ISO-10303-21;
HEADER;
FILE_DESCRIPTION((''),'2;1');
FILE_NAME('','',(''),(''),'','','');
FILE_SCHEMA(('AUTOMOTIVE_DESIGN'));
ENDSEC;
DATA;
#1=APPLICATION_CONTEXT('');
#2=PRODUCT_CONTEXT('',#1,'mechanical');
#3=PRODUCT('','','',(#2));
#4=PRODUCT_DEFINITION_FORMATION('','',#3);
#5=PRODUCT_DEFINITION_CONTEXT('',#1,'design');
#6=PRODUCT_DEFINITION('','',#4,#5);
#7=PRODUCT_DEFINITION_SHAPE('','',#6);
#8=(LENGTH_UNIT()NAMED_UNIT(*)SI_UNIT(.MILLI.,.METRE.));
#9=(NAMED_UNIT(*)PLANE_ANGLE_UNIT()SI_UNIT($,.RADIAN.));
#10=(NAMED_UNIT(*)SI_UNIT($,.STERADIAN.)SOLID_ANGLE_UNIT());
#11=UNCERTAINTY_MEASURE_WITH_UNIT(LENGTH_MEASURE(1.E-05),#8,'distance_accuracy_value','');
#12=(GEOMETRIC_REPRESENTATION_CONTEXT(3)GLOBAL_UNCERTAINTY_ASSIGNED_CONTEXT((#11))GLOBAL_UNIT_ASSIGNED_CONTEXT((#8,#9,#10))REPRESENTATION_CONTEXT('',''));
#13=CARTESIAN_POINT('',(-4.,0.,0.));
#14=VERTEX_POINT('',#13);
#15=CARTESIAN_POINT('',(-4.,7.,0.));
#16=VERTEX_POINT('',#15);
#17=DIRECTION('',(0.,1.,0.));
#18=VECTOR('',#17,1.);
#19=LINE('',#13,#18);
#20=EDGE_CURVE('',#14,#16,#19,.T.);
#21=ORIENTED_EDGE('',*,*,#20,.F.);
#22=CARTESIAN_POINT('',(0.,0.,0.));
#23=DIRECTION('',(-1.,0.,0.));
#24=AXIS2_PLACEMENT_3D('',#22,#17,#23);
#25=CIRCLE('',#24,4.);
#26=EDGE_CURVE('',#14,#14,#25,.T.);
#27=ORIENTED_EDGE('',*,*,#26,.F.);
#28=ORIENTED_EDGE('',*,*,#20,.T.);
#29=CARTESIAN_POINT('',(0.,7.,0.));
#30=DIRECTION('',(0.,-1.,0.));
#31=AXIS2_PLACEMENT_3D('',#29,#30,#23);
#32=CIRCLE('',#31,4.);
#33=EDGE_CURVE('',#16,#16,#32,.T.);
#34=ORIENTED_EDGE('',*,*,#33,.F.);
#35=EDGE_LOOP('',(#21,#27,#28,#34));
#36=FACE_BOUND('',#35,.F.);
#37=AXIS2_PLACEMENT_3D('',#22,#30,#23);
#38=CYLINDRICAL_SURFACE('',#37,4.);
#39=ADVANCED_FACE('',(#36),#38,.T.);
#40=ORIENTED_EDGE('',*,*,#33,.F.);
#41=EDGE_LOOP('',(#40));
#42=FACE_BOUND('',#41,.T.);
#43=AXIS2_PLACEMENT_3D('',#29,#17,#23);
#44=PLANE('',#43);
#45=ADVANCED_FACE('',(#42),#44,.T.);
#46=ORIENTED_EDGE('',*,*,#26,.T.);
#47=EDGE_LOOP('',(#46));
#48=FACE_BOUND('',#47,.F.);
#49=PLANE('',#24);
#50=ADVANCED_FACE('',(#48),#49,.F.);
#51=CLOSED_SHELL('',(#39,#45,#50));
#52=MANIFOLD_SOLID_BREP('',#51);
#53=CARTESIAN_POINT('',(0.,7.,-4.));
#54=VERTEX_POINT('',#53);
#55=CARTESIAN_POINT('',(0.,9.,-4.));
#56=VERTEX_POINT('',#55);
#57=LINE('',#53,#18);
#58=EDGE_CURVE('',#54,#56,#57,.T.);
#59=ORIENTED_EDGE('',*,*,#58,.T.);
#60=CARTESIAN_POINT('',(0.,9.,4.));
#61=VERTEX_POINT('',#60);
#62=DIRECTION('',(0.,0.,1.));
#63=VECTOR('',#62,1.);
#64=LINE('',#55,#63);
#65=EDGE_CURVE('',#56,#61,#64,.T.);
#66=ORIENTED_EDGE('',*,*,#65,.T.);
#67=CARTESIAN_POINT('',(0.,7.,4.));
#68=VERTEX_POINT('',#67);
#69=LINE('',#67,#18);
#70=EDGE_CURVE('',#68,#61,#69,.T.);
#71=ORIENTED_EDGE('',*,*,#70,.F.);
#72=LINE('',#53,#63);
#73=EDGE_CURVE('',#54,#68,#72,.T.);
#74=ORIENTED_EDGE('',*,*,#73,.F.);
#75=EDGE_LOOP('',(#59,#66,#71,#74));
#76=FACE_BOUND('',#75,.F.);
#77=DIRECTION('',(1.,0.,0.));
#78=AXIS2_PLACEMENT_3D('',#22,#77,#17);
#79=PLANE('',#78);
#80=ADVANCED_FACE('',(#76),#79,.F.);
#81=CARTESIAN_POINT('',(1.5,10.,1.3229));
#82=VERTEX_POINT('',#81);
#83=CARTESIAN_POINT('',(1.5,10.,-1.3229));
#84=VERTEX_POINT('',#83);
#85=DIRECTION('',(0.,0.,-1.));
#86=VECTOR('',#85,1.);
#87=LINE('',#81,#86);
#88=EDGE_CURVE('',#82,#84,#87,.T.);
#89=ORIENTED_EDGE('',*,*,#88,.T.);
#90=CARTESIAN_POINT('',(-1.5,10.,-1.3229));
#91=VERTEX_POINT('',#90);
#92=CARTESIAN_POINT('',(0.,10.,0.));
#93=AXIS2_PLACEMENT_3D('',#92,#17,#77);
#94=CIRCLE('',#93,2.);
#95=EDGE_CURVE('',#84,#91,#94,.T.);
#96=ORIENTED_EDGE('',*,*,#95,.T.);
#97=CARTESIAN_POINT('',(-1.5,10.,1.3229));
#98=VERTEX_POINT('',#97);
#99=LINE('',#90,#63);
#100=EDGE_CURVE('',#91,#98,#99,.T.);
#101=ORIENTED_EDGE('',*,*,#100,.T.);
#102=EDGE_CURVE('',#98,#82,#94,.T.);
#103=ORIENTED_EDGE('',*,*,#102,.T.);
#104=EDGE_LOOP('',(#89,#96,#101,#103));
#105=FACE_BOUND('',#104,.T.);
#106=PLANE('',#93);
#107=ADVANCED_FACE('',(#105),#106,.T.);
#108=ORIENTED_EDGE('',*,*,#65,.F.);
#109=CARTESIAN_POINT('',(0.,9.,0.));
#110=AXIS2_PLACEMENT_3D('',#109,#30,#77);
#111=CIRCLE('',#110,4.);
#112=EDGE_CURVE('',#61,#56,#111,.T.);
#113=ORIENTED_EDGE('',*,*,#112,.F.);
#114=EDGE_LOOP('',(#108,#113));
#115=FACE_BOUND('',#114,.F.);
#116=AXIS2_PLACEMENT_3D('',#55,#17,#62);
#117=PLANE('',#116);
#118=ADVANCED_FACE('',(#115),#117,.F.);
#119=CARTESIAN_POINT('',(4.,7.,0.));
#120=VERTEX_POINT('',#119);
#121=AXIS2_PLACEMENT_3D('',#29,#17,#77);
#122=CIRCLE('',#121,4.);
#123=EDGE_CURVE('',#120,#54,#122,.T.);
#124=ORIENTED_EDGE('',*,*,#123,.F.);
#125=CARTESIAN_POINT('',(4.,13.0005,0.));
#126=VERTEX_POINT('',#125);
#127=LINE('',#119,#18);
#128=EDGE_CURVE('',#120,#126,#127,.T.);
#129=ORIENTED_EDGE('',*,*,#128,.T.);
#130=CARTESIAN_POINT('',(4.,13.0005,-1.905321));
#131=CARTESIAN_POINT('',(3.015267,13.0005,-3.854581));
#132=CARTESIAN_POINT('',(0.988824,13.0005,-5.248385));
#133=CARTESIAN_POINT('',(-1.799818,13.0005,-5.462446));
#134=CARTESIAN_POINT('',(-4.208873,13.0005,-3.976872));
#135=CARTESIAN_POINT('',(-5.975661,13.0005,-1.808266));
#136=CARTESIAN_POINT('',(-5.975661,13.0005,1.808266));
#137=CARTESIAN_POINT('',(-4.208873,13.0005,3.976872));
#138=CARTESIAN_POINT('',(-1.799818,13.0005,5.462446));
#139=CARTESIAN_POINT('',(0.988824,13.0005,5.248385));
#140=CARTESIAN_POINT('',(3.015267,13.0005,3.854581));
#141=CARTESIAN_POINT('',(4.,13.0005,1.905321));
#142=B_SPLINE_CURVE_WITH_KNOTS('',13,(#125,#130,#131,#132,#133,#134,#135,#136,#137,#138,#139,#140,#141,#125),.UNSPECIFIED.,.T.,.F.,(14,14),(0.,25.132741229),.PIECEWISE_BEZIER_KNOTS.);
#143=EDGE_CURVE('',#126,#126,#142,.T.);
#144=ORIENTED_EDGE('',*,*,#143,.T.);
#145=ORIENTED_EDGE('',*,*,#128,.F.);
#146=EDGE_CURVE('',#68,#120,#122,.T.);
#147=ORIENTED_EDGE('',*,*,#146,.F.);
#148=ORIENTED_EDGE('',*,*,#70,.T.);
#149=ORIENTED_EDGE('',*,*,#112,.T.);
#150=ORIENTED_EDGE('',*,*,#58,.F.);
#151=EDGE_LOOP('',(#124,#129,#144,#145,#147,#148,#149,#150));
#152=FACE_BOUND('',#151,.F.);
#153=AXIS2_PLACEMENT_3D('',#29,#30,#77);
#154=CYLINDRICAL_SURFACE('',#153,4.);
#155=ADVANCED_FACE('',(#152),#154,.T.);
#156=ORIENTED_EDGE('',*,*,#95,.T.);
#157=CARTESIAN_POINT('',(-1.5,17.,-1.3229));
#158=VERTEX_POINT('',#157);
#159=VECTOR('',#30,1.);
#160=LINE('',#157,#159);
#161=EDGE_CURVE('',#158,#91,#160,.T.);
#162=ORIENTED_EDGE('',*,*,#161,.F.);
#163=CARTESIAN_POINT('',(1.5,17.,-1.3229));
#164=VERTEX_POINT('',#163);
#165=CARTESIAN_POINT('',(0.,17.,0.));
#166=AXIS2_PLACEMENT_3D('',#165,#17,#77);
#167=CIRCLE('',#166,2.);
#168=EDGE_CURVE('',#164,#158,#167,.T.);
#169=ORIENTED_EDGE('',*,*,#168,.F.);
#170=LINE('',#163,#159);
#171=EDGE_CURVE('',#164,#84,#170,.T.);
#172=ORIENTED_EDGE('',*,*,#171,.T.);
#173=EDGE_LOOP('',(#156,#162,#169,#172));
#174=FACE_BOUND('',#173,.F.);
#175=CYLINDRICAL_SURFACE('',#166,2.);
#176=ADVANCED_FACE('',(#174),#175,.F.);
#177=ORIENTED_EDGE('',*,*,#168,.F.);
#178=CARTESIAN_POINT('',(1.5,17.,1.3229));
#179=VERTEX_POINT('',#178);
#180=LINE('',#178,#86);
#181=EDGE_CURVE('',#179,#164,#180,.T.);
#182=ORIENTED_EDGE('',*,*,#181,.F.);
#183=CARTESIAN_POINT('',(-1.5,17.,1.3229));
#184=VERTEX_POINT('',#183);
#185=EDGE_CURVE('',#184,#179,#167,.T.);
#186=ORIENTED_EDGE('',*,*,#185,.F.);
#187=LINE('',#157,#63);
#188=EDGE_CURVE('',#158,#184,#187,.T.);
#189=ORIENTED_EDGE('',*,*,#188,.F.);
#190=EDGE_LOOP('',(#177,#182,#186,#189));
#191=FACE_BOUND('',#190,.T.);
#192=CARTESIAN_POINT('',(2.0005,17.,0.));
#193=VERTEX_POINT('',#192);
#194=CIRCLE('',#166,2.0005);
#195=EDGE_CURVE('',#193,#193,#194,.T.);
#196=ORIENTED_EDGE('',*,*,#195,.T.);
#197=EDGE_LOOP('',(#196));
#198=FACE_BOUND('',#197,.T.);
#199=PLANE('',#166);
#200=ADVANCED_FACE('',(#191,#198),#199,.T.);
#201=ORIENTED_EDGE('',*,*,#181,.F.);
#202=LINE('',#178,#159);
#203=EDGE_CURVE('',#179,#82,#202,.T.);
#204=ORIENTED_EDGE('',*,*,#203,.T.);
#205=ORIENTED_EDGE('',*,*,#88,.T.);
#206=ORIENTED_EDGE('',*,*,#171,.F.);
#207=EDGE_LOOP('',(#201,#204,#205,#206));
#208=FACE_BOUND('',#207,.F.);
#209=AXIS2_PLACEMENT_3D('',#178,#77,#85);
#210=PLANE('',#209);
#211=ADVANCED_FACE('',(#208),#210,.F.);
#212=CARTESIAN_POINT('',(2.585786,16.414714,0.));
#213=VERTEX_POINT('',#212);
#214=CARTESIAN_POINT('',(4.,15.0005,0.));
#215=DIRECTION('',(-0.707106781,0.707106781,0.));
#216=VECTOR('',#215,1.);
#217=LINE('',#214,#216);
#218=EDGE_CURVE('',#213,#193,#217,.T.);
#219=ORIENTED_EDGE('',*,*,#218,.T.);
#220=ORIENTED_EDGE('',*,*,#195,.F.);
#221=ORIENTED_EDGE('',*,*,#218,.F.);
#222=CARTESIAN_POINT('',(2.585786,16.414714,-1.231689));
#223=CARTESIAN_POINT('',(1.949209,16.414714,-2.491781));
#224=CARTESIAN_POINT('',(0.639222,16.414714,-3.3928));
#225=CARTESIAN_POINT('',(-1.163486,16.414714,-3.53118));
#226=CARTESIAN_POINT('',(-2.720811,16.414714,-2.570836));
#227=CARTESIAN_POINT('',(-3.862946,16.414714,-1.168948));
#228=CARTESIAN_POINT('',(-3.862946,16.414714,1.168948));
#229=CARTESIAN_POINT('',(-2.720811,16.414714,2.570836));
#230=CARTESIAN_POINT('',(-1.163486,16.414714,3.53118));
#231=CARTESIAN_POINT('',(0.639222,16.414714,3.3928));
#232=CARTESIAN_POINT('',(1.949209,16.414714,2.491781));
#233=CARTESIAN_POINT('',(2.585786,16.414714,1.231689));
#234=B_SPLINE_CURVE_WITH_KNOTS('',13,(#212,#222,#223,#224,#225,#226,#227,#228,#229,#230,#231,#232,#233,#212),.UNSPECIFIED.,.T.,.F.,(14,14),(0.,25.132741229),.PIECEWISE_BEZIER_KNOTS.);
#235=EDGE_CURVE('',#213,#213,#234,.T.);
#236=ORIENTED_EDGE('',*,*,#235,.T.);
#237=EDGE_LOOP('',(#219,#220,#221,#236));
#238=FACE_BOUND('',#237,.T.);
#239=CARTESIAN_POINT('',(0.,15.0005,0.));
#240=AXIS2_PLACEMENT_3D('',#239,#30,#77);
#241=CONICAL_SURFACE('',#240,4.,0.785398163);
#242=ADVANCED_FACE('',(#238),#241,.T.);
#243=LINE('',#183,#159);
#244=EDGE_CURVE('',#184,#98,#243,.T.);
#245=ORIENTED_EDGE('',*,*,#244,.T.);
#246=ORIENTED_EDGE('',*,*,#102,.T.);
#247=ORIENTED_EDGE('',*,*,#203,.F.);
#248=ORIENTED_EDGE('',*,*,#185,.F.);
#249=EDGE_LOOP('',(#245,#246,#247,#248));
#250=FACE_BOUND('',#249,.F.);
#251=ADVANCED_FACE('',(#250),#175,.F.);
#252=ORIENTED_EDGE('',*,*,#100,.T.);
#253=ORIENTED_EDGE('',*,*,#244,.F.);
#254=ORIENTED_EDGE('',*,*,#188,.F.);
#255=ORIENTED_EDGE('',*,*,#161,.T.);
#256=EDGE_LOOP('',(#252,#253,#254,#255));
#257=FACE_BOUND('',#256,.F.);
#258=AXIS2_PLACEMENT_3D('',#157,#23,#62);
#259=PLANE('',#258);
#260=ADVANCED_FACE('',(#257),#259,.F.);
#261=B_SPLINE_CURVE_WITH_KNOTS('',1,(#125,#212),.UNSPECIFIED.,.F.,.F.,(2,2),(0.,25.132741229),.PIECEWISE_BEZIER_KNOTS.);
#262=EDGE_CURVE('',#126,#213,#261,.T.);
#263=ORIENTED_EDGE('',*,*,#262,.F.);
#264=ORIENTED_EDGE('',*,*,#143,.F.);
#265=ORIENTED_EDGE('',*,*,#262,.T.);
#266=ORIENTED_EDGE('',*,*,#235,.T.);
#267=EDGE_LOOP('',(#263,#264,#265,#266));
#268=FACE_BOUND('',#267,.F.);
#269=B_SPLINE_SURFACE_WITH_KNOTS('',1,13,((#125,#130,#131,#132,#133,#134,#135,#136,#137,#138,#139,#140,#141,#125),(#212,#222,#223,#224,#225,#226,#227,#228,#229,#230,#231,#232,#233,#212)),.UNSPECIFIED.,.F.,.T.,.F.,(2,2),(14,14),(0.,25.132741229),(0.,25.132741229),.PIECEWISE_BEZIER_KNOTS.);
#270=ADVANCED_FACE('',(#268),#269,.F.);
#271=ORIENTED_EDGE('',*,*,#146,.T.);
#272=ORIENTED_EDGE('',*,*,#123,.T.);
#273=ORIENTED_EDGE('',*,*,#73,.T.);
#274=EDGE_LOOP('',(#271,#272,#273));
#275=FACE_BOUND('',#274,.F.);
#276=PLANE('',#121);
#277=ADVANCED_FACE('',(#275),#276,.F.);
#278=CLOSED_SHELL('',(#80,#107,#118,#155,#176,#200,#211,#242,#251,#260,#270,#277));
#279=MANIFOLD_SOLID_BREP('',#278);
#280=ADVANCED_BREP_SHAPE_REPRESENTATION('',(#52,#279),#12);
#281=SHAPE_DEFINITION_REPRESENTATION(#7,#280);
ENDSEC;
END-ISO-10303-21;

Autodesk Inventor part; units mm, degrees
ref_plane "YZ Plane" through (0, 0, 0) normal (1, 0, 0) x (0, 1, 0)
ref_plane "XZ Plane" through (0, 0, 0) normal (0, 1, 0) x (-1, 0, 0)
ref_plane "XY Plane" through (0, 0, 0) normal (0, 0, 1) x (1, 0, 0)
sketch "Sketch1" plane through (0, 0, 0) normal (0, 1, 0) x (-1, 0, 0)
  circle A0 centre (0, 0) radius 4
  dimension "d0" = 8
extrude "Extrusion1" add sketch "Sketch1" along normal blind 7
sketch "Sketch2" plane through (0, 7, 0) normal (0, 1, 0) x (1, 0, 0)
  circle A0 centre (0, 0) radius 4
extrude "Extrusion2" add sketch "Sketch2" along normal blind 10 separate body
sketch "Sketch3" plane through (0, 17, 0) normal (0, 1, 0) x (1, 0, 0)
  line L0 (-1.5, -1.3229) -> (1.5, -1.3229)
  line L1 (1.5, -1.3229) -> (1.5, 1.3229)
  line L2 (1.5, 1.3229) -> (-1.5, 1.3229)
  line L3 (-1.5, 1.3229) -> (-1.5, -1.3229)
  circle A0 centre (0, 0) radius 2
  point P0 (-1.5, 1.3229)
  dimension "d5" = 3
  dimension "d6" = 4
extrude "Extrusion3" cut sketch "Sketch3" against normal blind 7 contours L3 L2 L1 L0 | L0 A0 | A0 L2 bodies 1 2
chamfer "Chamfer1" distance 2 angle 45 1 edges at (-4, 17, 0)
chamfer "Chamfer2" distance 2 angle 45 1 edges at (-4, 15.0005, 0)
sketch "Sketch4" plane through (0, 0, 0) normal (1, 0, 0) x (0, 1, 0)
  line L0 (7, -4) -> (7, 4) projected
  line L1 (7, 4) -> (13, 4) projected
  line L2 (7, -4) -> (9, -4)
  line L3 (9, -4) -> (9, 4)
  line L4 (9, 4) -> (7, 4)
  line L5 (7, 4) -> (7, -4)
  point P0 (0, 0)
  dimension "d15" = 2
extrude "Extrusion4" cut sketch "Sketch4" against normal blind 7 bodies 1 2
properties part number "Czopek"
